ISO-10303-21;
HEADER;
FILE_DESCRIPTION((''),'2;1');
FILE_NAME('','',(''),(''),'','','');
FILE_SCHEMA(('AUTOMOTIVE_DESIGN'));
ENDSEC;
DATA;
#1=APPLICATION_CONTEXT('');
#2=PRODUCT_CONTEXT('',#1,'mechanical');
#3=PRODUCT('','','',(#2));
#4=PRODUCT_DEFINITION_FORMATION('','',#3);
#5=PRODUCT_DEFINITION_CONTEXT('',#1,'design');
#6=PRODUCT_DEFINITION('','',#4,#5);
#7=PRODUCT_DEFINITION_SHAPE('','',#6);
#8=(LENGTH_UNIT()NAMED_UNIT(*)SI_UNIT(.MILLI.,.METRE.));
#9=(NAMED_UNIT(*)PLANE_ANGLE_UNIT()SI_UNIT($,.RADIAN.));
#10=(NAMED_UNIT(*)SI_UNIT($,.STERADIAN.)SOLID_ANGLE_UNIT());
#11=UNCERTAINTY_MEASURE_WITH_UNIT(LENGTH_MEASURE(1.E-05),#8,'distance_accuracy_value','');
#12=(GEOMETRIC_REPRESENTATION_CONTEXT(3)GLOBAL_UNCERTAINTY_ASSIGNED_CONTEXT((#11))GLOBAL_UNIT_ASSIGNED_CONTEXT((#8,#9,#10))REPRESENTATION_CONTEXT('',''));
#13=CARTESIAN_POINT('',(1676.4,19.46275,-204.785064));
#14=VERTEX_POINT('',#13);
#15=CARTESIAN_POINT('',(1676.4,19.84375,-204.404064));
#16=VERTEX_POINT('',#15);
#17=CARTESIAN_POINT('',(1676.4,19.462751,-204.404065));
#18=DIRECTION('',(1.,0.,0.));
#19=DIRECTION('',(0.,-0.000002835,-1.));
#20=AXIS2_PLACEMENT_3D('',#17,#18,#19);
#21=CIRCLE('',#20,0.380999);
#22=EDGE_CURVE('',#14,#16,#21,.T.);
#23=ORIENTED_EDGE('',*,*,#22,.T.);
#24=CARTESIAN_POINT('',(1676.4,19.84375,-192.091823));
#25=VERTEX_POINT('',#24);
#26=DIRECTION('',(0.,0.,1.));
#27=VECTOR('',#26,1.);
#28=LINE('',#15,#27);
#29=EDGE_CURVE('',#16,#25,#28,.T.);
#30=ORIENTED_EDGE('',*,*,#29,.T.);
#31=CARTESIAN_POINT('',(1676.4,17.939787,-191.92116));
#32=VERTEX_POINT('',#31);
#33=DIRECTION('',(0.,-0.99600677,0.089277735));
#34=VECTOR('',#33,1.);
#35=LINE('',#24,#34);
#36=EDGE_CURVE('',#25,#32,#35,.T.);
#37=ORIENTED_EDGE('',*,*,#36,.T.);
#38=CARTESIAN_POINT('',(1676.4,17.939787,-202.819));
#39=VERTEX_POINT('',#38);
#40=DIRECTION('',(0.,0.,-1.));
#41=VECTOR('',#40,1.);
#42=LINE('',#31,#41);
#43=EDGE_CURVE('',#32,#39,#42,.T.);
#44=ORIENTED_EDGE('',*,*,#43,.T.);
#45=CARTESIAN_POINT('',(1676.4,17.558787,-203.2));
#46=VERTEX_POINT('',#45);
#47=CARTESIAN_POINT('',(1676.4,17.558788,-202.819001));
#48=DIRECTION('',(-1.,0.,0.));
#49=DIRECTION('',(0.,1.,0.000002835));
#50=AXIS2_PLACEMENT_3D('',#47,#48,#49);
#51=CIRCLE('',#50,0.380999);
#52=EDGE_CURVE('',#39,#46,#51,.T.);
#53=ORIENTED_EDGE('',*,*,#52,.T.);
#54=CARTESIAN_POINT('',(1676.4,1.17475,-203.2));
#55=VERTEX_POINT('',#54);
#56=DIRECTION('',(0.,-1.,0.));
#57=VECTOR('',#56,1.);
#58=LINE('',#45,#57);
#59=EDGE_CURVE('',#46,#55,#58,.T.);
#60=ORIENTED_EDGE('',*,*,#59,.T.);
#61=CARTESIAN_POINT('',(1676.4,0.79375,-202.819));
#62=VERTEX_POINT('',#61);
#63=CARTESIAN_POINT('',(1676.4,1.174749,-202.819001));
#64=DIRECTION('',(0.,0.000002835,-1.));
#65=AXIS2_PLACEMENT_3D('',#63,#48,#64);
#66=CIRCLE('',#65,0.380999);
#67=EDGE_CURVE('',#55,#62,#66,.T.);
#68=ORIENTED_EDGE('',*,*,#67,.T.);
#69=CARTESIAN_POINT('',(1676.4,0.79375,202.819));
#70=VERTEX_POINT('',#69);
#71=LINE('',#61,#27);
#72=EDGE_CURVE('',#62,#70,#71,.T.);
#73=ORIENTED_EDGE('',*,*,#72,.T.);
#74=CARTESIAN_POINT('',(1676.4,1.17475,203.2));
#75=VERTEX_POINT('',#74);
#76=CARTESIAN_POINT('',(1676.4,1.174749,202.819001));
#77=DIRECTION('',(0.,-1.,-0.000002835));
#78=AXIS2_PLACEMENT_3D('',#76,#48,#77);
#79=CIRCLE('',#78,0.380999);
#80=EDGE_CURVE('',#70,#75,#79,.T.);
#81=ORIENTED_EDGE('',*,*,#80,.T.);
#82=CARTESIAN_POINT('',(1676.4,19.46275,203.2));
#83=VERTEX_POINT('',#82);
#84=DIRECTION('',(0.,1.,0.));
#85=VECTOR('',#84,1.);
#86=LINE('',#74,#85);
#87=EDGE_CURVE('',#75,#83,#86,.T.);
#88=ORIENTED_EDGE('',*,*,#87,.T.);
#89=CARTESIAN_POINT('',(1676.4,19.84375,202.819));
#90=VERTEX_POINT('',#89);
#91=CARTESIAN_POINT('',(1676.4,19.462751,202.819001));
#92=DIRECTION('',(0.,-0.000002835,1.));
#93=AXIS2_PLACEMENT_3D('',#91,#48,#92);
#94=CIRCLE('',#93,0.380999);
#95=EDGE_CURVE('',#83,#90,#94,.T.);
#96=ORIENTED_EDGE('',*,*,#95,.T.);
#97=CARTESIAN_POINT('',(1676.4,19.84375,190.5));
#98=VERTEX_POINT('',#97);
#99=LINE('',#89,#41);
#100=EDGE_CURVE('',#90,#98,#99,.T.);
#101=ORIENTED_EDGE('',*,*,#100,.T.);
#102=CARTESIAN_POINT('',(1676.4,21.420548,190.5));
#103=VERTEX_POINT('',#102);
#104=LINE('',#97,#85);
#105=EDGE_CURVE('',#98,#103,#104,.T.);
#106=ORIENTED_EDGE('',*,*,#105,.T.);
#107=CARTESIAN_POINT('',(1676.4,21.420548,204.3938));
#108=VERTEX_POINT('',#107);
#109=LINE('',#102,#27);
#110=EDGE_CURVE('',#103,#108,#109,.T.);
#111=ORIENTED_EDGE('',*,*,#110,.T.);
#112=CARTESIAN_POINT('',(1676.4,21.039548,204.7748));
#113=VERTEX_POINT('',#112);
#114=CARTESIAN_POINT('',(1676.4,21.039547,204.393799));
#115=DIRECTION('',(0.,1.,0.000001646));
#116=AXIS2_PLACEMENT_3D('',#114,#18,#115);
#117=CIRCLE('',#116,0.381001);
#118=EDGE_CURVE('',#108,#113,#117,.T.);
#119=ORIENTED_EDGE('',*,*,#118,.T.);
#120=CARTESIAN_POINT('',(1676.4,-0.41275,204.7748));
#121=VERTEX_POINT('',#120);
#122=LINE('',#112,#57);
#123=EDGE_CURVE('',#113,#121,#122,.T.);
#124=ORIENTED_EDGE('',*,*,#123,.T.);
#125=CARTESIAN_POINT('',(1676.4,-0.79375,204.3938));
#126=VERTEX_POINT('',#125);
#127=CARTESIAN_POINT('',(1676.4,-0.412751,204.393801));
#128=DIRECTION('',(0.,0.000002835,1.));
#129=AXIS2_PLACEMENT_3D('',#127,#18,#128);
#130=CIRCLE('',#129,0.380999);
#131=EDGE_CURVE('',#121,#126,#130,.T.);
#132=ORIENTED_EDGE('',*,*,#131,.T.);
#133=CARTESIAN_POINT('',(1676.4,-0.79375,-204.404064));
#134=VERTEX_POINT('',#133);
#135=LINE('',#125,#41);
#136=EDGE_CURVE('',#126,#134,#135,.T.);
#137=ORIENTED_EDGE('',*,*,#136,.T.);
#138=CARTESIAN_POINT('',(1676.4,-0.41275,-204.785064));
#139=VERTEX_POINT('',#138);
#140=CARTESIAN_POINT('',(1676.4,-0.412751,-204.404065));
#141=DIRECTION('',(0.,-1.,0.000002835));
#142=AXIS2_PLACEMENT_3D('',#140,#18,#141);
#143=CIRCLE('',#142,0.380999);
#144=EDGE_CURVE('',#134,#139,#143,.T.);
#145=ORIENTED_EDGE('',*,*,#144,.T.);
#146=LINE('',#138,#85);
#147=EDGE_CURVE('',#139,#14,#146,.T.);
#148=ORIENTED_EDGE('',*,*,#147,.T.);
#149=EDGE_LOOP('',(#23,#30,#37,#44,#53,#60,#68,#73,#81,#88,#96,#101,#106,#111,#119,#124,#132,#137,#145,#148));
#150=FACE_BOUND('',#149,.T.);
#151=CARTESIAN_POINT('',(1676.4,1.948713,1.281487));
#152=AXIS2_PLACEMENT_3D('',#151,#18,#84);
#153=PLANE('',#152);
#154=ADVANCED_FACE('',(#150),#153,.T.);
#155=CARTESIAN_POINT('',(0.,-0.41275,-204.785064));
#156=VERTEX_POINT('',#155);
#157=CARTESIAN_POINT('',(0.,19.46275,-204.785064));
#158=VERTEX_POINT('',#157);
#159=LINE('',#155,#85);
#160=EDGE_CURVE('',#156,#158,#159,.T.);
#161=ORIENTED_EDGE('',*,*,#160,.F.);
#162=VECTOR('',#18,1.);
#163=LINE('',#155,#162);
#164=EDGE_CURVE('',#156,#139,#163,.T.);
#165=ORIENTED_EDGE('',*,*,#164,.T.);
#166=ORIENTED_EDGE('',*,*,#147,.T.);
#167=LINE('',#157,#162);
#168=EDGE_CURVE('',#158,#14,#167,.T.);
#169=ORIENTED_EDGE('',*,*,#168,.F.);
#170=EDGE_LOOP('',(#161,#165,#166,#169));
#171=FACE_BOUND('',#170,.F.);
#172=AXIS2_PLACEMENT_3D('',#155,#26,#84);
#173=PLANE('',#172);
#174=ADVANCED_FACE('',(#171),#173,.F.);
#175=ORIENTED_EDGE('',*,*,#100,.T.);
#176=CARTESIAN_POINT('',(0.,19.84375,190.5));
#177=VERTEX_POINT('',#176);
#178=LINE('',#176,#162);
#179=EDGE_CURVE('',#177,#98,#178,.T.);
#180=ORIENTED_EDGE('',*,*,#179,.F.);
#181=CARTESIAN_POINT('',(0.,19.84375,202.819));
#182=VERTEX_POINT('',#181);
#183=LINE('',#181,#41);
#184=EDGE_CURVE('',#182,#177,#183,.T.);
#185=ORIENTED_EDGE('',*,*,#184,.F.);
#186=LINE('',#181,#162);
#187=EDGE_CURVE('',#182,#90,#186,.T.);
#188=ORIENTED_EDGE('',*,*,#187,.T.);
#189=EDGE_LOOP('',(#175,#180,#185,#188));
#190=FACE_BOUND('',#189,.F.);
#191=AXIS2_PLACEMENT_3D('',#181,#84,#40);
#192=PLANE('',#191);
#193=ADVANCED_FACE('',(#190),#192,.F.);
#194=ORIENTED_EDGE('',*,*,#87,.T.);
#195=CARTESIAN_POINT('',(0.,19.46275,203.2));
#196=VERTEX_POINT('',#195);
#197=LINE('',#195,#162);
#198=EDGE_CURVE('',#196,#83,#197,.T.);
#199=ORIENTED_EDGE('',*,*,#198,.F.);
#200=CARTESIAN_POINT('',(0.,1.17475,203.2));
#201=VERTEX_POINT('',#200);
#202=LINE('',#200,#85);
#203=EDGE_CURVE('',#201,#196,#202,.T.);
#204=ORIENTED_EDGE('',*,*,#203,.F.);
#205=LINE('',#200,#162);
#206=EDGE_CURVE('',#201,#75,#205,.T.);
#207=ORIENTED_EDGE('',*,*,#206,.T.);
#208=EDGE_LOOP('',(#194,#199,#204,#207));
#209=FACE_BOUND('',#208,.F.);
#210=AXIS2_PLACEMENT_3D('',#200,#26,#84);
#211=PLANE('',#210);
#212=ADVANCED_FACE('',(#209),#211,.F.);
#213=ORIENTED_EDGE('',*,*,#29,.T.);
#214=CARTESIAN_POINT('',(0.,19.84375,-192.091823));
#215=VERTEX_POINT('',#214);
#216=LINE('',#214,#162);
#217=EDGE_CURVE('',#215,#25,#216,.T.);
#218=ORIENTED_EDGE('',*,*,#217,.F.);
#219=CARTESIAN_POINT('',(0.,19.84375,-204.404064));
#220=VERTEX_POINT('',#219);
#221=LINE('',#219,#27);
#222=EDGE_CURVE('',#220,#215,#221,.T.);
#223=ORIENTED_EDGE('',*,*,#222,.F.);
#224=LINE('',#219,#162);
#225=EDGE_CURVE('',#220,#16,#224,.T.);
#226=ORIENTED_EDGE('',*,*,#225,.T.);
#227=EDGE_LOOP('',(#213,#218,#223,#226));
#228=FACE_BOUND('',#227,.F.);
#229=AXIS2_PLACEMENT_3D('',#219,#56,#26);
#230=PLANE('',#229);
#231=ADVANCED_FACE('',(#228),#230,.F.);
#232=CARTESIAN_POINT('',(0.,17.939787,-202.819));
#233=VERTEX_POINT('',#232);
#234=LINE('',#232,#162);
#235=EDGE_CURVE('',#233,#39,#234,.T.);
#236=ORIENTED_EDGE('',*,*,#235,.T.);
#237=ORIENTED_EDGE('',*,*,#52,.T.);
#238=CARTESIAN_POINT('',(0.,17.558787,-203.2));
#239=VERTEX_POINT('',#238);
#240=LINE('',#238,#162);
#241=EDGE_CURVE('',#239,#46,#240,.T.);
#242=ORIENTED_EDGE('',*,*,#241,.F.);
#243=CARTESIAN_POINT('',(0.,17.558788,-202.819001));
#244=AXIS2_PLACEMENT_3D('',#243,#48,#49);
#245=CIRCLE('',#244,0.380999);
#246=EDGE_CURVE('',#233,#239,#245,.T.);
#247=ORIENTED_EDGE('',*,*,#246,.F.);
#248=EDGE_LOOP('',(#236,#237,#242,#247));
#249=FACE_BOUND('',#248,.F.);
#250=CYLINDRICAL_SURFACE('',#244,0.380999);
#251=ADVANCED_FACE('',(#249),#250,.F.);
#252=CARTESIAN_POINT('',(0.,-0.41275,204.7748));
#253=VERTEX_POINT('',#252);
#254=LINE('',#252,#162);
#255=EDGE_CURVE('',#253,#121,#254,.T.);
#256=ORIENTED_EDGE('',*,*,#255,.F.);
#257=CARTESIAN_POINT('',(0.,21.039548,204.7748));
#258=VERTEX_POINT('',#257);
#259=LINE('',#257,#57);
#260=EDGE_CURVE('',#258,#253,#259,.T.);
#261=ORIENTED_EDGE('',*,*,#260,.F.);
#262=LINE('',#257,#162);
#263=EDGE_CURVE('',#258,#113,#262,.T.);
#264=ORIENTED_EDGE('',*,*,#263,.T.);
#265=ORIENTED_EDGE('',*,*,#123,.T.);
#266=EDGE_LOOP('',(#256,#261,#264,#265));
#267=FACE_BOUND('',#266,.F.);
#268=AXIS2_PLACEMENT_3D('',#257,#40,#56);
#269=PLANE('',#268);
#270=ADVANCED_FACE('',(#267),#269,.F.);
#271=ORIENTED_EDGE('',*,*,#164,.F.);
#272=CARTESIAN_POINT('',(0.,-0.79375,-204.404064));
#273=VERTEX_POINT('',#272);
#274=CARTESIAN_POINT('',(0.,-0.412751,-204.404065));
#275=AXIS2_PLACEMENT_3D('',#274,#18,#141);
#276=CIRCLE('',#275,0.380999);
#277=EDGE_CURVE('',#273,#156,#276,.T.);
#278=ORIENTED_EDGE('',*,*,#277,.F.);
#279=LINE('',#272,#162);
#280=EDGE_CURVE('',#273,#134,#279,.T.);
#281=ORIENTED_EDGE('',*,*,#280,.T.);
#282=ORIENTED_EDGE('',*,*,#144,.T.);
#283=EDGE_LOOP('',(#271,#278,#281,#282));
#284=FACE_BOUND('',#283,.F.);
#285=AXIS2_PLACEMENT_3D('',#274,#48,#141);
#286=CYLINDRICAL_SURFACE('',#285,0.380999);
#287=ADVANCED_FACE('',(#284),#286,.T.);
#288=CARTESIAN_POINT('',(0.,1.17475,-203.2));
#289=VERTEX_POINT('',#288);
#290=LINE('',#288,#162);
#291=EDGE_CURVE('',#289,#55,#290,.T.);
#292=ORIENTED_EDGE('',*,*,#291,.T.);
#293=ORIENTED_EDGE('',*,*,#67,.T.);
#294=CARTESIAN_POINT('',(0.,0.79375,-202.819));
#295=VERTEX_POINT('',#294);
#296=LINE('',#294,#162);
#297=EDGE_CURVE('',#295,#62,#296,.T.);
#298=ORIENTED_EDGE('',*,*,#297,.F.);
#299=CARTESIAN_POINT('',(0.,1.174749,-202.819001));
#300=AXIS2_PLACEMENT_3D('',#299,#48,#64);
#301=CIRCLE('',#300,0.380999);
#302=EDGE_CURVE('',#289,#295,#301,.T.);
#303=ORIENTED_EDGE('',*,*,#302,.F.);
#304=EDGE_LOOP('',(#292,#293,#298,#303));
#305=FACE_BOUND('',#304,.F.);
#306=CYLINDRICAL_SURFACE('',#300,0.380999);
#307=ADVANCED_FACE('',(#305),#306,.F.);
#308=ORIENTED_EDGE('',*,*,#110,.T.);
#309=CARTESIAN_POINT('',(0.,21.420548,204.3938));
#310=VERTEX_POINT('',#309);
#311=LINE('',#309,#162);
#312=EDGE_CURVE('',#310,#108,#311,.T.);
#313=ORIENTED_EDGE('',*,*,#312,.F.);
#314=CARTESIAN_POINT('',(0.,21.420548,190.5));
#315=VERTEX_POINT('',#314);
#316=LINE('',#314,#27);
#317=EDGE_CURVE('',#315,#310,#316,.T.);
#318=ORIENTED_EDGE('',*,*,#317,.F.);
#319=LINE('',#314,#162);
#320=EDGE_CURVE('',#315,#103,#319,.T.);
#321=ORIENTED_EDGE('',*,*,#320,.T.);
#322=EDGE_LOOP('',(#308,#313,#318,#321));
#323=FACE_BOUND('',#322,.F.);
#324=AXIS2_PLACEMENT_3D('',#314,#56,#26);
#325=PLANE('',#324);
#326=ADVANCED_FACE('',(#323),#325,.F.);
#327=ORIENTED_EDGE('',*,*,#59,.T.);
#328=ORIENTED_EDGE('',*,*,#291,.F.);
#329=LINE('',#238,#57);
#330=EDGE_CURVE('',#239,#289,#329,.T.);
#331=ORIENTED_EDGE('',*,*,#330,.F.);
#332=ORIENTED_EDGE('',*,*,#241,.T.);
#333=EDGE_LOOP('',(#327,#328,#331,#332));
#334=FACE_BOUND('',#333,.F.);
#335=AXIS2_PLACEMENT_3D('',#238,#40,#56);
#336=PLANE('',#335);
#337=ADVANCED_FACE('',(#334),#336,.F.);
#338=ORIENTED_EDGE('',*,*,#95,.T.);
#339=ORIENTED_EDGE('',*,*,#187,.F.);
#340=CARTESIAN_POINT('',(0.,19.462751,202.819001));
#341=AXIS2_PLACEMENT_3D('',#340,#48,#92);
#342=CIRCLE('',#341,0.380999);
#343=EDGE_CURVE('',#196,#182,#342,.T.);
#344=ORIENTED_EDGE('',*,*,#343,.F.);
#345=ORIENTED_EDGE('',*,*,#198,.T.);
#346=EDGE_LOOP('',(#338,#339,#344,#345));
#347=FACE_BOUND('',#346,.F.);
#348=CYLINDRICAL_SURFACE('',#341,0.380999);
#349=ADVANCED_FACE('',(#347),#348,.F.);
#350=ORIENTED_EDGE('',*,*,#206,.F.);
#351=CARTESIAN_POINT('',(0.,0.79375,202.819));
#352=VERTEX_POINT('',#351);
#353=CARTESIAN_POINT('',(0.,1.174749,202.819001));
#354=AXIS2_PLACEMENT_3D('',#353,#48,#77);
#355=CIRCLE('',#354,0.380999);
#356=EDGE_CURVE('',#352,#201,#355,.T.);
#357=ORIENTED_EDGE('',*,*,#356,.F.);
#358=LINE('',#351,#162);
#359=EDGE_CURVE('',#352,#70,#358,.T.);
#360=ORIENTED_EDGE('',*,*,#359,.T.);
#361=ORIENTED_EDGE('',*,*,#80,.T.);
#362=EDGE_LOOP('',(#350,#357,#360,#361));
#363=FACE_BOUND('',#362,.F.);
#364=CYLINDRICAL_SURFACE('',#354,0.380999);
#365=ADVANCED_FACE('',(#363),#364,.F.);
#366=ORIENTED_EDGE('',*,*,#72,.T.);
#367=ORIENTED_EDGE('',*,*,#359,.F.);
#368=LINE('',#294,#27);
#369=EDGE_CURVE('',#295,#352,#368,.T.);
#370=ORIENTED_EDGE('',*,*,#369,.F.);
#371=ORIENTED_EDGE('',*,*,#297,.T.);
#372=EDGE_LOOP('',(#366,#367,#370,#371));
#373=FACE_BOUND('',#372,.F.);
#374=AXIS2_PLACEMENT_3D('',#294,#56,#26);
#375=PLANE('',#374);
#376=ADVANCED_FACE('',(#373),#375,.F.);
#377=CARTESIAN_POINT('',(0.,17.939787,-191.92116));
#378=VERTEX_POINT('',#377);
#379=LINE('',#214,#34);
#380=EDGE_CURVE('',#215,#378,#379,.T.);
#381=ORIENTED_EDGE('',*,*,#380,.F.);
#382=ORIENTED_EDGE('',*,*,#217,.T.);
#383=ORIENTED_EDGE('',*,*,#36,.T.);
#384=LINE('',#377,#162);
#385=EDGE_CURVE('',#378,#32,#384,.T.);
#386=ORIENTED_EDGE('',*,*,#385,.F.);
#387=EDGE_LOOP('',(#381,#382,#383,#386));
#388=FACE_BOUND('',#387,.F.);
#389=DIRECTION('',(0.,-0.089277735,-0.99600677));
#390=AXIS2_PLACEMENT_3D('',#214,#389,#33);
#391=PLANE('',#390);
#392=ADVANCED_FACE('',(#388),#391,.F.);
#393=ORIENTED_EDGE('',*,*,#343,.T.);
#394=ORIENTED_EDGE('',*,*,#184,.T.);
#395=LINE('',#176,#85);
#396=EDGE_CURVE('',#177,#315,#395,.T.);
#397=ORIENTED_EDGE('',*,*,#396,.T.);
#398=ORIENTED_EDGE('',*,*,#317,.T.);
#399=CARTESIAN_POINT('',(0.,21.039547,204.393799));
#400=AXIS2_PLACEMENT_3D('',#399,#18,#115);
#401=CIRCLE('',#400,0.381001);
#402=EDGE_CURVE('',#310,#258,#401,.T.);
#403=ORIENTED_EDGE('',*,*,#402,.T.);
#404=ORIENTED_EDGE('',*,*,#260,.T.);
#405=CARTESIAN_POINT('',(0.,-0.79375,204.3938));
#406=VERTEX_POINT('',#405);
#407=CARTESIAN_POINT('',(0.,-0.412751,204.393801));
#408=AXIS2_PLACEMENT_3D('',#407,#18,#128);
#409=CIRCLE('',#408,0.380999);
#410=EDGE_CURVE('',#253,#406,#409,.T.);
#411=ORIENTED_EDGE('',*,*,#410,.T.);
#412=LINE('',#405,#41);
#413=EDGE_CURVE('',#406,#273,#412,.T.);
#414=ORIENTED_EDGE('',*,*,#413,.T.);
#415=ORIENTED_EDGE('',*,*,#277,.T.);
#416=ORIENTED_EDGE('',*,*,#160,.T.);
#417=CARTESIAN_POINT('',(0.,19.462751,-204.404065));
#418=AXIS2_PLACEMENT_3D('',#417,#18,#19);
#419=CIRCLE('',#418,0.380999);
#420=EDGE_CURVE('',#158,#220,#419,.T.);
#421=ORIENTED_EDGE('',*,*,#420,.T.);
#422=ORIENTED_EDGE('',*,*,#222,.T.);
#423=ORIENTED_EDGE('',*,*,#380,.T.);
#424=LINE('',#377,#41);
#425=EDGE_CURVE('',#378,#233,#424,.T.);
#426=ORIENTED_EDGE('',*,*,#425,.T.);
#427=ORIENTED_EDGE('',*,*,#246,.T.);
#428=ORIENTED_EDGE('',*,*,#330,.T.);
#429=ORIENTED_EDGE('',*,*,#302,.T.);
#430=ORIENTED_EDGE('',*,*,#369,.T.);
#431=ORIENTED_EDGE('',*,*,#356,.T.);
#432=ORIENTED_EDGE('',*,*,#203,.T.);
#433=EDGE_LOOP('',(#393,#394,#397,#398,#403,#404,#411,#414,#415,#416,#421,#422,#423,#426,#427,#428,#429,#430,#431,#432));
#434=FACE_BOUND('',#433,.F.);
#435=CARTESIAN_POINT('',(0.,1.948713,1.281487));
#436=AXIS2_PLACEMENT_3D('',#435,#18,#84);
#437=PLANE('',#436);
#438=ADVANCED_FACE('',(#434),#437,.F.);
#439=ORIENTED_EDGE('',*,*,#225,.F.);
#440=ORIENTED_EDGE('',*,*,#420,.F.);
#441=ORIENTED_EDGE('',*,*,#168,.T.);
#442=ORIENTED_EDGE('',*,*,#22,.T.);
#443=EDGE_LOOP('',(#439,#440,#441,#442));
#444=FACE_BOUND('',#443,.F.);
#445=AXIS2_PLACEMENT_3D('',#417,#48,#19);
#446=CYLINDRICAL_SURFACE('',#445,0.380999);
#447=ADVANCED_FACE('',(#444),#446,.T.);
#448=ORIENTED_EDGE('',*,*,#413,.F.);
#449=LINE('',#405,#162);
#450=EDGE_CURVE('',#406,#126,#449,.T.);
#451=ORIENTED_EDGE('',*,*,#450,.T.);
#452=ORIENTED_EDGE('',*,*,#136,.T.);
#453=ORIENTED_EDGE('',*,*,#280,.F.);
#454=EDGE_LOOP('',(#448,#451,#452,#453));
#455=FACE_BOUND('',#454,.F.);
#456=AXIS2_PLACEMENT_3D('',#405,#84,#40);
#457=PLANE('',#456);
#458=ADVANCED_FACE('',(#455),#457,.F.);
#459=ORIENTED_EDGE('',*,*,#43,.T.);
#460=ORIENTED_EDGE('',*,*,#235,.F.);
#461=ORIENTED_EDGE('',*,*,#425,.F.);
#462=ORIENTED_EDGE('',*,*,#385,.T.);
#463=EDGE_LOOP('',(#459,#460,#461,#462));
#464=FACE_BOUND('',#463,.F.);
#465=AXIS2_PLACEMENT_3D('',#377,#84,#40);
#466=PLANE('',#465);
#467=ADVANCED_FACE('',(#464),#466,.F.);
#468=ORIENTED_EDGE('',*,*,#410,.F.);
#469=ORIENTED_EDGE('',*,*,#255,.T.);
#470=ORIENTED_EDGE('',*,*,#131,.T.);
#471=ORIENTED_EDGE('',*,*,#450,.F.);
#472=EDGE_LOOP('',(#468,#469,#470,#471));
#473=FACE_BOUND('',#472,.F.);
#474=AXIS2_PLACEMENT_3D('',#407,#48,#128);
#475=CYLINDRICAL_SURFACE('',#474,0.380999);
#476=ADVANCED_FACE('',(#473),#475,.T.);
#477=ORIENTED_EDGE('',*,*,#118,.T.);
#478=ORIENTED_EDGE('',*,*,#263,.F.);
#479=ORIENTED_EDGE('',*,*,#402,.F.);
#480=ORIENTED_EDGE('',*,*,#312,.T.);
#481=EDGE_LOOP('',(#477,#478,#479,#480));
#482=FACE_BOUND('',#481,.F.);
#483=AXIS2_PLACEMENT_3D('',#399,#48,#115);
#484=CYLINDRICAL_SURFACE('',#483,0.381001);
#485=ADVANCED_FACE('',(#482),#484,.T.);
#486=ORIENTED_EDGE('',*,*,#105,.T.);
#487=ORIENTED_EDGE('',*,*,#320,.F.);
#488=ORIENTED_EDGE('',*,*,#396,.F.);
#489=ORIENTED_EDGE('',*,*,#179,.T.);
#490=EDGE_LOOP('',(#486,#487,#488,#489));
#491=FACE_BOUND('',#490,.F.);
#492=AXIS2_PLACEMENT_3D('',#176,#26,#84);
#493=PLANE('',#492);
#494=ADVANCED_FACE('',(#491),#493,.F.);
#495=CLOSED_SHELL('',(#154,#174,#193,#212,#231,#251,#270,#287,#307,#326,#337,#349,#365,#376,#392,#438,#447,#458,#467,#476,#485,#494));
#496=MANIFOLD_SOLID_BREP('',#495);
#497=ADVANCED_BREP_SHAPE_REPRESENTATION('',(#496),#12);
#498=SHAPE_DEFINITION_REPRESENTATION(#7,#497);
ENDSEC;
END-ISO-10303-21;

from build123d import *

# Parameters (mm, degrees)
F1_DEPTH = 1676.4


with BuildPart() as f1:
    # F0 (on Right) → F1 (new body)
    with BuildSketch(Plane.YZ):
        with BuildLine():
            ThreePointArc((1.17475, -203.2), (0.905342, -203.088408), (0.79375, -202.819))
            Line((0.79375, -202.819), (0.79375, 202.819))
            ThreePointArc((0.79375, 202.819), (0.905342, 203.088408), (1.17475, 203.2))
            Line((1.17475, 203.2), (19.46275, 203.2))
            ThreePointArc((19.46275, 203.2), (19.732158, 203.088408), (19.84375, 202.819))
            Line((19.84375, 202.819), (19.84375, 190.5))
            Line((19.84375, 190.5), (21.420548, 190.5))
            Line((21.420548, 190.5), (21.420548, 204.3938))
            ThreePointArc((21.420548, 204.3938), (21.308955, 204.663208), (21.039548, 204.7748))
            Line((21.039548, 204.7748), (19.84375, 204.7748))
            Line((19.84375, 204.7748), (-0.41275, 204.7748))
            ThreePointArc((-0.41275, 204.7748), (-0.682158, 204.663208), (-0.79375, 204.3938))
            Line((-0.79375, 204.3938), (-0.79375, -203.2))
            Line((-0.79375, -203.2), (-0.79375, -204.404064))
            ThreePointArc((-0.79375, -204.404064), (-0.682158, -204.673472), (-0.41275, -204.785064))
            Line((-0.41275, -204.785064), (19.46275, -204.785064))
            ThreePointArc((19.46275, -204.785064), (19.732158, -204.673472), (19.84375, -204.404064))
            Line((19.84375, -204.404064), (19.84375, -192.091823))
            Line((19.84375, -192.091823), (17.939787, -191.92116))
            Line((17.939787, -191.92116), (17.939787, -202.819))
            ThreePointArc((17.939787, -202.819), (17.828195, -203.088408), (17.558787, -203.2))
            Line((17.558787, -203.2), (1.17475, -203.2))
        make_face()
    extrude(amount=F1_DEPTH)


solid = f1.part
